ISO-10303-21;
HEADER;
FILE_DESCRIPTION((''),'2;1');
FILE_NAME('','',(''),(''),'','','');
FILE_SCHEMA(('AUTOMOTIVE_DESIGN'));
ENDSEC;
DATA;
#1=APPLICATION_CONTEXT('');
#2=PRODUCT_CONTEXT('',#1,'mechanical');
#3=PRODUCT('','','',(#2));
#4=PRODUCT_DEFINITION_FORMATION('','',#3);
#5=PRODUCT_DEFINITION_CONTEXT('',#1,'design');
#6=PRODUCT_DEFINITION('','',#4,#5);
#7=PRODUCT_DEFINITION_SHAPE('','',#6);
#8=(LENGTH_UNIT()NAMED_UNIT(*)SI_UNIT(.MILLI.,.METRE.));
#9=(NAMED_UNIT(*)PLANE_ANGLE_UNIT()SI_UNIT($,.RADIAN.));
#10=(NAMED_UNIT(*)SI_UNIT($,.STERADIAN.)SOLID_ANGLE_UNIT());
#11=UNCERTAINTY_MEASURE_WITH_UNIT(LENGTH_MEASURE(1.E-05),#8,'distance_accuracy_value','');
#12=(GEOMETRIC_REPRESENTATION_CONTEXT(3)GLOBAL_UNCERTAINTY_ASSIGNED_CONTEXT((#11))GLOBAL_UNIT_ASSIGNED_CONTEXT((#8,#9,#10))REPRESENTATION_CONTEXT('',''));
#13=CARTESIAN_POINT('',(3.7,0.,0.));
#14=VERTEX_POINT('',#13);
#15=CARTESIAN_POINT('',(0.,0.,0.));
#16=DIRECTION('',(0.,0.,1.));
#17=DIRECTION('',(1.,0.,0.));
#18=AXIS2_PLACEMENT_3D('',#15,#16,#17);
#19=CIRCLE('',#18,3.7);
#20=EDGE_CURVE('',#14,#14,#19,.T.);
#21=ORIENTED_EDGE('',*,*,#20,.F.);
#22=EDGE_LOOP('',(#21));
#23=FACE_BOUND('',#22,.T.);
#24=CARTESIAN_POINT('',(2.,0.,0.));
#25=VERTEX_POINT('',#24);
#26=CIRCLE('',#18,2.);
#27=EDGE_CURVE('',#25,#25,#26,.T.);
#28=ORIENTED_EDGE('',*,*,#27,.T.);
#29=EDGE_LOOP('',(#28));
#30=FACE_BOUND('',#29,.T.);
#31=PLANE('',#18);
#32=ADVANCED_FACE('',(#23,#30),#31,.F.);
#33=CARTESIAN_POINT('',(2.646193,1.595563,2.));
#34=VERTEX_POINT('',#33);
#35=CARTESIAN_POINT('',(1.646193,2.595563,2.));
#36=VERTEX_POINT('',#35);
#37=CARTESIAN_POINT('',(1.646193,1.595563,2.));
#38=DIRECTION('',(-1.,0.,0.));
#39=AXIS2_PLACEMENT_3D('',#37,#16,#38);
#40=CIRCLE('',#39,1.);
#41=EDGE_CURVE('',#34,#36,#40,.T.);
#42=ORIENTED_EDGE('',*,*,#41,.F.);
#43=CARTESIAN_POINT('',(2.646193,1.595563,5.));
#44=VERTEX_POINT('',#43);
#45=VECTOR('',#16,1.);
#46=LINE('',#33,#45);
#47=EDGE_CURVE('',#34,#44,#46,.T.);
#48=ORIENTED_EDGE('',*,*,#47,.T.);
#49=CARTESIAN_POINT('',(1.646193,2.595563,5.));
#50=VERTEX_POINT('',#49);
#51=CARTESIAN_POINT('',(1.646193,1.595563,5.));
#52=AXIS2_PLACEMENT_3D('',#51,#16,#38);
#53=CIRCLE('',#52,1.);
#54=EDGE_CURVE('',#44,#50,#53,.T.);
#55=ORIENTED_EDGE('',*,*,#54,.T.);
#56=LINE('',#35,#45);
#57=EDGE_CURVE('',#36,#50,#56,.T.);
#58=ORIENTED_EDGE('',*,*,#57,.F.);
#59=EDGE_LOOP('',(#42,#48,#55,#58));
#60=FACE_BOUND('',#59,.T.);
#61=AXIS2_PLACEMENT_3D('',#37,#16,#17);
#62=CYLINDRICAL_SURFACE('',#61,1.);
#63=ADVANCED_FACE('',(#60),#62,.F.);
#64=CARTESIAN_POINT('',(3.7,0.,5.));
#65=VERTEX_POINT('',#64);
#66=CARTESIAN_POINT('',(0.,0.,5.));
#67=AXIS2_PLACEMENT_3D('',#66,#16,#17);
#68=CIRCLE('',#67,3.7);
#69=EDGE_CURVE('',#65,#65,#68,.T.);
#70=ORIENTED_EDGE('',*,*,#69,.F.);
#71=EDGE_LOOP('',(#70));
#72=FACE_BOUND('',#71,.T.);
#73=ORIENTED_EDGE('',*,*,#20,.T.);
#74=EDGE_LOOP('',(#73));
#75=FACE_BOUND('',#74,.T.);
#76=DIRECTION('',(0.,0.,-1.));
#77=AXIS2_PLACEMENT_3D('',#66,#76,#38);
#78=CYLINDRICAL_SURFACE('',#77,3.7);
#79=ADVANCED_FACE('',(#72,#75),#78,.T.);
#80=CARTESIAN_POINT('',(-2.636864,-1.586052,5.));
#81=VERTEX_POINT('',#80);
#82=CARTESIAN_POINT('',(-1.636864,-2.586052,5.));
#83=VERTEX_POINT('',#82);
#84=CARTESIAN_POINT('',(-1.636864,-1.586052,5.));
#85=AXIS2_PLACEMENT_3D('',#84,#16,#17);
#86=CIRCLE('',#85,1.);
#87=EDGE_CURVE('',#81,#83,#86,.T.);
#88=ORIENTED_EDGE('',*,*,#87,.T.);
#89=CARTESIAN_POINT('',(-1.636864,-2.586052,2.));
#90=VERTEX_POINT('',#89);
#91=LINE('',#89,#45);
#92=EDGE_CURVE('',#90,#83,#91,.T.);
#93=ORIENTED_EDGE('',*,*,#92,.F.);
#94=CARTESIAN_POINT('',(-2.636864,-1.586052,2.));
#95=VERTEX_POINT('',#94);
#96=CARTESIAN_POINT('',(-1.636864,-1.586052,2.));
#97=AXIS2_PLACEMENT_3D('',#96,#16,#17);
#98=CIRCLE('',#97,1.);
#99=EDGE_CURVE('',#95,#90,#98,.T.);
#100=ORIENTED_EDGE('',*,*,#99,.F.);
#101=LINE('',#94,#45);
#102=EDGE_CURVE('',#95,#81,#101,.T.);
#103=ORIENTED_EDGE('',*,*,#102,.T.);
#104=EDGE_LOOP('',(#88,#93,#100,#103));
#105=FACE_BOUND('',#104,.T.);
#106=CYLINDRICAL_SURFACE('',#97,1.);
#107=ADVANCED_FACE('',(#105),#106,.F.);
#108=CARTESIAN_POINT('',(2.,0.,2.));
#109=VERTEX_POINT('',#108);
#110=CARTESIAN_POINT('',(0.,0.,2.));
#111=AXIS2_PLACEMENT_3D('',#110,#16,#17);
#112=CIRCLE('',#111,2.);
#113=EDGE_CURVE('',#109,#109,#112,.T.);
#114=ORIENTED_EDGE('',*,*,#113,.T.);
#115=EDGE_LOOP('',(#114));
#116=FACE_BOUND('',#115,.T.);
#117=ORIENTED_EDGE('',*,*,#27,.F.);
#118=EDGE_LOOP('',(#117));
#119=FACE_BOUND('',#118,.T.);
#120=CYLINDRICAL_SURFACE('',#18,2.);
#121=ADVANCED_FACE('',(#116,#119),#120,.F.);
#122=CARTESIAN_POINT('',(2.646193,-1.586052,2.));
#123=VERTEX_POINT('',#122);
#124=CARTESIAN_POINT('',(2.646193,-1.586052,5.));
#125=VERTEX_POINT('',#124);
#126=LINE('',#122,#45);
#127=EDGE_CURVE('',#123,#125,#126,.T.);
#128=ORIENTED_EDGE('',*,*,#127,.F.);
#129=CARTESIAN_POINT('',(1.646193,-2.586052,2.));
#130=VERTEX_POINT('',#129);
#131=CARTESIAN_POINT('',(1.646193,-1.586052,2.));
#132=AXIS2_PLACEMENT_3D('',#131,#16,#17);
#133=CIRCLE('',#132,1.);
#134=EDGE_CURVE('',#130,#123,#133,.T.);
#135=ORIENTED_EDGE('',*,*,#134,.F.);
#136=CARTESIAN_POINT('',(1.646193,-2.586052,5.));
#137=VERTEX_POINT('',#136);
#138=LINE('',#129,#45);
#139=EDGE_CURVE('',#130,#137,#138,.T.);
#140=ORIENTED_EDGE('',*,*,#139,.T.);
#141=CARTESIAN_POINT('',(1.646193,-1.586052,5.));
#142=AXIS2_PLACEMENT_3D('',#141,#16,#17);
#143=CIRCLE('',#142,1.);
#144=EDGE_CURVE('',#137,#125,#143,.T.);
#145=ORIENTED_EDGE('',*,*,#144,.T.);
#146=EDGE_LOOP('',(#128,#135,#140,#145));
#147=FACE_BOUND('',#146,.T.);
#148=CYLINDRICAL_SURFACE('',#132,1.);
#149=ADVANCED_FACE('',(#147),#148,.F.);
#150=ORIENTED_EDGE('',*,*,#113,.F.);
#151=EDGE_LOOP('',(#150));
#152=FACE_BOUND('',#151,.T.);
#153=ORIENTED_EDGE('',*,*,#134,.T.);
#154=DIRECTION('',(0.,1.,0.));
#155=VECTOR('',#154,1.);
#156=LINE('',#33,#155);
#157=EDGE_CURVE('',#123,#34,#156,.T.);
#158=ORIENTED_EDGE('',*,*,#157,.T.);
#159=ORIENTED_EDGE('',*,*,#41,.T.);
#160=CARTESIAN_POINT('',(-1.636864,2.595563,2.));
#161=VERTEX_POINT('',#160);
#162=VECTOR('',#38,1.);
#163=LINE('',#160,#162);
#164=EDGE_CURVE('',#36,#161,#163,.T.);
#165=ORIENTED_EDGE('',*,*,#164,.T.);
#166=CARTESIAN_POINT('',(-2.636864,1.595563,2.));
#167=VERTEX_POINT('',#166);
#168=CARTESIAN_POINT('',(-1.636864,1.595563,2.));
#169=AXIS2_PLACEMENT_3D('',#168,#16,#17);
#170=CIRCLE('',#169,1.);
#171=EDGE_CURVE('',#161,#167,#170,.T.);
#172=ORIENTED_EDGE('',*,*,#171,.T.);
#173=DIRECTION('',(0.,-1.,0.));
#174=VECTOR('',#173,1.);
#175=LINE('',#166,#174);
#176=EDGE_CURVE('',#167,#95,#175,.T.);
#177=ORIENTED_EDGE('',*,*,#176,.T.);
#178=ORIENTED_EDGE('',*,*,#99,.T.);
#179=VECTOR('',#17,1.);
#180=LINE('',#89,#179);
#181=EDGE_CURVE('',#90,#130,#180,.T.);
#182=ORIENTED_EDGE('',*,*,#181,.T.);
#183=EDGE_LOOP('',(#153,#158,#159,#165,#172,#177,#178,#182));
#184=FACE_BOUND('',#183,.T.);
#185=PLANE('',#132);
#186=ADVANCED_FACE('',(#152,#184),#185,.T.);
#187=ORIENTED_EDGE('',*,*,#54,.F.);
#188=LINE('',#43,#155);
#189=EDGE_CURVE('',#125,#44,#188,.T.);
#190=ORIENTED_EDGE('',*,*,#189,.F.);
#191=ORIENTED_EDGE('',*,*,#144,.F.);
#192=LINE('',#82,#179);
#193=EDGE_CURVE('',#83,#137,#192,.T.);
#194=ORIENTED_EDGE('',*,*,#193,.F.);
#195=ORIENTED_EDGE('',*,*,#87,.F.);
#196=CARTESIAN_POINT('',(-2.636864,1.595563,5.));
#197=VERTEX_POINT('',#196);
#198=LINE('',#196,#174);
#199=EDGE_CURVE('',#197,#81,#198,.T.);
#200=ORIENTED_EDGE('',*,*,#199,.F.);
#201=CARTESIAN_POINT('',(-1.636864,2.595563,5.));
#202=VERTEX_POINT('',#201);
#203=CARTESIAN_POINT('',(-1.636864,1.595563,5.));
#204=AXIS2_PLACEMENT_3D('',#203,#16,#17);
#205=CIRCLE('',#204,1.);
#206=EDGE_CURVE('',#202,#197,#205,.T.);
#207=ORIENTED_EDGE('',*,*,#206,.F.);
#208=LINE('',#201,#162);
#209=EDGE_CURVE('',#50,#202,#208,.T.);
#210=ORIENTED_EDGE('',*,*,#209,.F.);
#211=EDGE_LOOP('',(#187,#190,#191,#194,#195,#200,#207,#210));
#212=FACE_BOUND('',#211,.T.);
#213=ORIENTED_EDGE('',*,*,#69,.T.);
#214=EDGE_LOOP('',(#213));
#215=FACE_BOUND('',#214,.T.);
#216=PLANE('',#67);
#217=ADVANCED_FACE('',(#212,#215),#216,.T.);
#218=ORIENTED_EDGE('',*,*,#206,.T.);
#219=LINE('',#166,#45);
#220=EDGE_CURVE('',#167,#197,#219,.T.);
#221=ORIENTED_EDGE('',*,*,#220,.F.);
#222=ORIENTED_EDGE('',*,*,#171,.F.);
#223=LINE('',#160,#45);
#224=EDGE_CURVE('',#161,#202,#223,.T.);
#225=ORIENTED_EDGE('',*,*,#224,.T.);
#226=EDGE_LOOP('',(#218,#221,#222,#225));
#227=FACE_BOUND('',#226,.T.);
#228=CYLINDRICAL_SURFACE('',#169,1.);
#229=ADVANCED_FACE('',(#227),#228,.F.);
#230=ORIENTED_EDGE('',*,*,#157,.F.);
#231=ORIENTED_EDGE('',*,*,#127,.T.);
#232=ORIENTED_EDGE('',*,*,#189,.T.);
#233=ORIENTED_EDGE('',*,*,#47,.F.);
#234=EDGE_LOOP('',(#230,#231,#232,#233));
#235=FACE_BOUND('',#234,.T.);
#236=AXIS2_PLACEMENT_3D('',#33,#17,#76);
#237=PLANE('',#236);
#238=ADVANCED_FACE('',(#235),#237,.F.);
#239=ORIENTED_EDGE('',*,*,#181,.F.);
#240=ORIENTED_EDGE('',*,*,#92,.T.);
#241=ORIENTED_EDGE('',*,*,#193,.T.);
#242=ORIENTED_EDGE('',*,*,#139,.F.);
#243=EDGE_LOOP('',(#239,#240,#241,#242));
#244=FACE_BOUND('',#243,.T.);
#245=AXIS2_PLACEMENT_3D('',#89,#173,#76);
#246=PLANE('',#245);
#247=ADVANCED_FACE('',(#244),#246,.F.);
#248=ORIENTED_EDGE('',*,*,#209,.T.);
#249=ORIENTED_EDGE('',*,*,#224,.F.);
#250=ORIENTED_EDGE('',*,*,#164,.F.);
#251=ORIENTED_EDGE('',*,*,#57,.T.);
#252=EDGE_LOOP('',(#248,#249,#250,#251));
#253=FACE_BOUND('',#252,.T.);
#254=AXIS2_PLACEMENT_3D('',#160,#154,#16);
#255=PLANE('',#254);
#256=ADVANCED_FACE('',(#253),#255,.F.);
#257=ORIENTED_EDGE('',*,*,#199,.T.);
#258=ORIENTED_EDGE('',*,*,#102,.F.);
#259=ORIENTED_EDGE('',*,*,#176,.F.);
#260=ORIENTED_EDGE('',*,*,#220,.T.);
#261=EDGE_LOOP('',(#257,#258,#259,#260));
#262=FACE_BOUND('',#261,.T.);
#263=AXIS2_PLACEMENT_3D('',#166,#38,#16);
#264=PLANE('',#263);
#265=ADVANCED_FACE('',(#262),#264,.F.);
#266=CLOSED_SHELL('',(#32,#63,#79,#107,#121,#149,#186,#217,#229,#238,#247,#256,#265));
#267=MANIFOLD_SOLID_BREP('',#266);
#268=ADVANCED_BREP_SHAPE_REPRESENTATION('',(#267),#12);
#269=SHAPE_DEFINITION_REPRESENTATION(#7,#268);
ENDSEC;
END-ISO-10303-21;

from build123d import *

# Parameters (mm, degrees)
SKETCH_1_R          = 3.7
EXTRUDE_1_DEPTH     = 5
CUT_EXTRUDE_1_DEPTH = 3
SKETCH_3_R          = 2
CUT_EXTRUDE_2_DEPTH = 2


with BuildPart() as part:
    # 草图1 → 凸台-拉伸1 (new body)
    with BuildSketch(Plane.XY):
        Circle(SKETCH_1_R)
    extrude(amount=EXTRUDE_1_DEPTH)

    # 草图2 → 切除-拉伸1 (cut)
    with BuildSketch(Plane.XY.offset(5)):
        with BuildLine():
            Line((-1.636863732, 2.595563457), (1.646192649, 2.595563457))
            ThreePointArc((1.646192649, 2.595563457), (2.35329943, 2.302670238), (2.646192649, 1.595563457))
            Line((2.646192649, 1.595563457), (2.646192649, -1.586051907))
            ThreePointArc((2.646192649, -1.586051907), (2.35329943, -2.293158688), (1.646192649, -2.586051907))
            Line((1.646192649, -2.586051907), (-1.636863732, -2.586051907))
            ThreePointArc((-1.636863732, -2.586051907), (-2.343970513, -2.293158688), (-2.636863732, -1.586051907))
            Line((-2.636863732, -1.586051907), (-2.636863732, 1.595563457))
            ThreePointArc((-2.636863732, 1.595563457), (-2.343970513, 2.302670238), (-1.636863732, 2.595563457))
        make_face()
    extrude(amount=-CUT_EXTRUDE_1_DEPTH, mode=Mode.SUBTRACT)

    # 草图3 → 切除-拉伸2 (cut)
    with BuildSketch(Plane.XY.offset(2)):
        Circle(SKETCH_3_R)
    extrude(amount=-CUT_EXTRUDE_2_DEPTH, mode=Mode.SUBTRACT)


solid = part.part
